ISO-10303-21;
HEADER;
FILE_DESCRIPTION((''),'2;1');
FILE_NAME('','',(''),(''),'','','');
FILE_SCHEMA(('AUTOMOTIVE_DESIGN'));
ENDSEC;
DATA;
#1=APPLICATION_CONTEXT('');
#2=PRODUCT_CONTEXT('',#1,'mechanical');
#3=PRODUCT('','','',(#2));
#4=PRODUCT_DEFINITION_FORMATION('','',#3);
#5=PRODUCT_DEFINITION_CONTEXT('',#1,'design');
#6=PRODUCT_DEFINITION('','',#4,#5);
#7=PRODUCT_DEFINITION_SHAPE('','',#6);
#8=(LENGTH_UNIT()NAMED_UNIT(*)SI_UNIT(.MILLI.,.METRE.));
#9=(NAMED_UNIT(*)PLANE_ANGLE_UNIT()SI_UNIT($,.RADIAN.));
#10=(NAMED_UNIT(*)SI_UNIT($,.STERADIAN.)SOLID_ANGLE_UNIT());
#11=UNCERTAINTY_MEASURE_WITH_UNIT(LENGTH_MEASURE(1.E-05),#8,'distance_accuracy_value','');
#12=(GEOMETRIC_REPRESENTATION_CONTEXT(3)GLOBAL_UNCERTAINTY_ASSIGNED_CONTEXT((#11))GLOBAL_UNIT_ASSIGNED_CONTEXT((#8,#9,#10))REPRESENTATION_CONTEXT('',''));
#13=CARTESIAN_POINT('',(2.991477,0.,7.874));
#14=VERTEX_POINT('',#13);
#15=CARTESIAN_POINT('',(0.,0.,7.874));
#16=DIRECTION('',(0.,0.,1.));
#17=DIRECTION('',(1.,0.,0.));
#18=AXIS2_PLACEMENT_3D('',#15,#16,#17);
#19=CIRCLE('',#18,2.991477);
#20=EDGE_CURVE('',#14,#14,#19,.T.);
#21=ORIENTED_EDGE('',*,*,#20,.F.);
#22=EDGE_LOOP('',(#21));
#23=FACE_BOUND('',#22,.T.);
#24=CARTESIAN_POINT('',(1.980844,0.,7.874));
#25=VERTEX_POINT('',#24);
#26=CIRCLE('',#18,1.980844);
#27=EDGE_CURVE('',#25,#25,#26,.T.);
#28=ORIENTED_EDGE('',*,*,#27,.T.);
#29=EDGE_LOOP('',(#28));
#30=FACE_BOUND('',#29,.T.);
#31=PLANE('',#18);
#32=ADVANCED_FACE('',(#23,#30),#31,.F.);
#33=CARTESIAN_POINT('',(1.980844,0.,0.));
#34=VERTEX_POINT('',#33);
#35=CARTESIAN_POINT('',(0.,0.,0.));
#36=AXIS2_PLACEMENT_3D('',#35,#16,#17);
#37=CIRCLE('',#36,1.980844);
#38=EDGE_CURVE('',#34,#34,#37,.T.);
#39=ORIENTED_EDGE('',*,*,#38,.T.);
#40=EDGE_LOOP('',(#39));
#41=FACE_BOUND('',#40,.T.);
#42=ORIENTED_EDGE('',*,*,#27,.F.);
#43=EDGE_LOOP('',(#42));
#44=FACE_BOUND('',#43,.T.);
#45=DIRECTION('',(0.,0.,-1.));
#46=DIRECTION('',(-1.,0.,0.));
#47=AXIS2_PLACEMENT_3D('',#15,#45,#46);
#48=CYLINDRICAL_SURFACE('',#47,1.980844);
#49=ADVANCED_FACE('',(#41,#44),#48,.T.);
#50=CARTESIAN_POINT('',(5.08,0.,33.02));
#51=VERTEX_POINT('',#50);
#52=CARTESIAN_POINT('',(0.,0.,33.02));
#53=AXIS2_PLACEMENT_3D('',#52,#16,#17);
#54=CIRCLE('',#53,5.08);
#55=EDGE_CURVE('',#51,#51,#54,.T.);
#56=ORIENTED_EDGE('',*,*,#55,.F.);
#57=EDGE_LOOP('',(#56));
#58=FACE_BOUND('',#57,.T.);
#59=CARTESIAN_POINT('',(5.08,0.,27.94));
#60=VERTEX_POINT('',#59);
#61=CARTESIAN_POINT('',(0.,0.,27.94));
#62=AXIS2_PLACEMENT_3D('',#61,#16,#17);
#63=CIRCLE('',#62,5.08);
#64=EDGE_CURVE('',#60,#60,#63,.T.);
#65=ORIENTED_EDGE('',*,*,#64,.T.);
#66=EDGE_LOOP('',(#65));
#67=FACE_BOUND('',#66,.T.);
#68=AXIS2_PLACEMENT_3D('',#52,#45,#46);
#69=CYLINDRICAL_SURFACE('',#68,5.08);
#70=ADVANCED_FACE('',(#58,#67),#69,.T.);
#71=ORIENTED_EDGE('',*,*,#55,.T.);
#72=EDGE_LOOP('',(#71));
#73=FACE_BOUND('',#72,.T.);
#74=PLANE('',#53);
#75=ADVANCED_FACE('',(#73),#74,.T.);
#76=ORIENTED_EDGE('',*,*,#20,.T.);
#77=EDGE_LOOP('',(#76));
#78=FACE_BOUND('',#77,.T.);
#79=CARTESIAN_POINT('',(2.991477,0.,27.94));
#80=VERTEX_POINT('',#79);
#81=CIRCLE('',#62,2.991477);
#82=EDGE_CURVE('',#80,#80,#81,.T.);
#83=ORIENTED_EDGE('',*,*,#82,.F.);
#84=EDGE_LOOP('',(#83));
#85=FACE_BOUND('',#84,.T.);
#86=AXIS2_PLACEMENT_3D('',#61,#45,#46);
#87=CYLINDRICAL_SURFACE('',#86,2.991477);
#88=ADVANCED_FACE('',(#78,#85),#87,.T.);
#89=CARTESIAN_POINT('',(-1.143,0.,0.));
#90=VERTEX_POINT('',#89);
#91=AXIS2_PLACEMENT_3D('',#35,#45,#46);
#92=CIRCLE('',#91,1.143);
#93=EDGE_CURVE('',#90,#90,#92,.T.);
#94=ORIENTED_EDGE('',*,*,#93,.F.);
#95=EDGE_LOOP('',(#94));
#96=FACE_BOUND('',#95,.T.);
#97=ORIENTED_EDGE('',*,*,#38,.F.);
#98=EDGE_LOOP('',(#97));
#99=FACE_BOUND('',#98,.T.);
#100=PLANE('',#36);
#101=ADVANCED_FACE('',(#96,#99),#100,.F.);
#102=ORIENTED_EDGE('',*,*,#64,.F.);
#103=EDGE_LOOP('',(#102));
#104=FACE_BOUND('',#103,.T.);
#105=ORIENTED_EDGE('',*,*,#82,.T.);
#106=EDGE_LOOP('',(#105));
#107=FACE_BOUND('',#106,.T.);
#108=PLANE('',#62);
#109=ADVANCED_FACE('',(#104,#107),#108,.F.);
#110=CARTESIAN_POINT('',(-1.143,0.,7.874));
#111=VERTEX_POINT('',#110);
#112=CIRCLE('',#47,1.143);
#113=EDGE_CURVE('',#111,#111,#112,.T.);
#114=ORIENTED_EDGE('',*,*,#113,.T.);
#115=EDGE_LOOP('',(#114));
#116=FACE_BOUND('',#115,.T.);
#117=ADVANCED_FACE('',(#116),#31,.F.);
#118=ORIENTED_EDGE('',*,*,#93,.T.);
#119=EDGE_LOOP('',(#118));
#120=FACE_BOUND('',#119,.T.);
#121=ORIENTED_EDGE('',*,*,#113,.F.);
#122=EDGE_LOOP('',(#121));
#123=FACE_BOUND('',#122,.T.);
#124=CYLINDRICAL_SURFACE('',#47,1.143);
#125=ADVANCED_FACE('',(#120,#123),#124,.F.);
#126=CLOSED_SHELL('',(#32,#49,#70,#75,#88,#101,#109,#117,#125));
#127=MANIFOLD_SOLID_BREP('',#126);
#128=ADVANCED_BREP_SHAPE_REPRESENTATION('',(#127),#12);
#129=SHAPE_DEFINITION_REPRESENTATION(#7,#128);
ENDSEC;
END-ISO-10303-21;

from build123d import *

# Parameters (mm, degrees)
SKETCH1_R           = 1.9808444
BOSS_EXTRUDE1_DEPTH = 7.874
SKETCH2_R           = 1.143
CUT_EXTRUDE2_DEPTH  = 8.874
SKETCH3_R           = 2.99147738
BOSS_EXTRUDE2_DEPTH = 20.066
SKETCH4_R           = 5.08
BOSS_EXTRUDE3_DEPTH = 5.08


with BuildPart() as part:
    # Sketch1 → Boss-Extrude1 (new body)
    with BuildSketch(Plane.XY):
        Circle(SKETCH1_R)
    extrude(amount=BOSS_EXTRUDE1_DEPTH)

    # Sketch2 → Cut-Extrude2 (cut, through all)
    with BuildSketch(Plane(origin=(0, 0, 0), x_dir=(-1, 0, 0), z_dir=(0, 0, -1))):
        Circle(SKETCH2_R)
    extrude(amount=-CUT_EXTRUDE2_DEPTH, mode=Mode.SUBTRACT)

    # Sketch3 → Boss-Extrude2 (add)
    with BuildSketch(Plane.XY.offset(7.874)):
        Circle(SKETCH3_R)
    extrude(amount=BOSS_EXTRUDE2_DEPTH)

    # Sketch4 → Boss-Extrude3 (add)
    with BuildSketch(Plane.XY.offset(27.94)):
        Circle(SKETCH4_R)
    extrude(amount=BOSS_EXTRUDE3_DEPTH)


solid = part.part
